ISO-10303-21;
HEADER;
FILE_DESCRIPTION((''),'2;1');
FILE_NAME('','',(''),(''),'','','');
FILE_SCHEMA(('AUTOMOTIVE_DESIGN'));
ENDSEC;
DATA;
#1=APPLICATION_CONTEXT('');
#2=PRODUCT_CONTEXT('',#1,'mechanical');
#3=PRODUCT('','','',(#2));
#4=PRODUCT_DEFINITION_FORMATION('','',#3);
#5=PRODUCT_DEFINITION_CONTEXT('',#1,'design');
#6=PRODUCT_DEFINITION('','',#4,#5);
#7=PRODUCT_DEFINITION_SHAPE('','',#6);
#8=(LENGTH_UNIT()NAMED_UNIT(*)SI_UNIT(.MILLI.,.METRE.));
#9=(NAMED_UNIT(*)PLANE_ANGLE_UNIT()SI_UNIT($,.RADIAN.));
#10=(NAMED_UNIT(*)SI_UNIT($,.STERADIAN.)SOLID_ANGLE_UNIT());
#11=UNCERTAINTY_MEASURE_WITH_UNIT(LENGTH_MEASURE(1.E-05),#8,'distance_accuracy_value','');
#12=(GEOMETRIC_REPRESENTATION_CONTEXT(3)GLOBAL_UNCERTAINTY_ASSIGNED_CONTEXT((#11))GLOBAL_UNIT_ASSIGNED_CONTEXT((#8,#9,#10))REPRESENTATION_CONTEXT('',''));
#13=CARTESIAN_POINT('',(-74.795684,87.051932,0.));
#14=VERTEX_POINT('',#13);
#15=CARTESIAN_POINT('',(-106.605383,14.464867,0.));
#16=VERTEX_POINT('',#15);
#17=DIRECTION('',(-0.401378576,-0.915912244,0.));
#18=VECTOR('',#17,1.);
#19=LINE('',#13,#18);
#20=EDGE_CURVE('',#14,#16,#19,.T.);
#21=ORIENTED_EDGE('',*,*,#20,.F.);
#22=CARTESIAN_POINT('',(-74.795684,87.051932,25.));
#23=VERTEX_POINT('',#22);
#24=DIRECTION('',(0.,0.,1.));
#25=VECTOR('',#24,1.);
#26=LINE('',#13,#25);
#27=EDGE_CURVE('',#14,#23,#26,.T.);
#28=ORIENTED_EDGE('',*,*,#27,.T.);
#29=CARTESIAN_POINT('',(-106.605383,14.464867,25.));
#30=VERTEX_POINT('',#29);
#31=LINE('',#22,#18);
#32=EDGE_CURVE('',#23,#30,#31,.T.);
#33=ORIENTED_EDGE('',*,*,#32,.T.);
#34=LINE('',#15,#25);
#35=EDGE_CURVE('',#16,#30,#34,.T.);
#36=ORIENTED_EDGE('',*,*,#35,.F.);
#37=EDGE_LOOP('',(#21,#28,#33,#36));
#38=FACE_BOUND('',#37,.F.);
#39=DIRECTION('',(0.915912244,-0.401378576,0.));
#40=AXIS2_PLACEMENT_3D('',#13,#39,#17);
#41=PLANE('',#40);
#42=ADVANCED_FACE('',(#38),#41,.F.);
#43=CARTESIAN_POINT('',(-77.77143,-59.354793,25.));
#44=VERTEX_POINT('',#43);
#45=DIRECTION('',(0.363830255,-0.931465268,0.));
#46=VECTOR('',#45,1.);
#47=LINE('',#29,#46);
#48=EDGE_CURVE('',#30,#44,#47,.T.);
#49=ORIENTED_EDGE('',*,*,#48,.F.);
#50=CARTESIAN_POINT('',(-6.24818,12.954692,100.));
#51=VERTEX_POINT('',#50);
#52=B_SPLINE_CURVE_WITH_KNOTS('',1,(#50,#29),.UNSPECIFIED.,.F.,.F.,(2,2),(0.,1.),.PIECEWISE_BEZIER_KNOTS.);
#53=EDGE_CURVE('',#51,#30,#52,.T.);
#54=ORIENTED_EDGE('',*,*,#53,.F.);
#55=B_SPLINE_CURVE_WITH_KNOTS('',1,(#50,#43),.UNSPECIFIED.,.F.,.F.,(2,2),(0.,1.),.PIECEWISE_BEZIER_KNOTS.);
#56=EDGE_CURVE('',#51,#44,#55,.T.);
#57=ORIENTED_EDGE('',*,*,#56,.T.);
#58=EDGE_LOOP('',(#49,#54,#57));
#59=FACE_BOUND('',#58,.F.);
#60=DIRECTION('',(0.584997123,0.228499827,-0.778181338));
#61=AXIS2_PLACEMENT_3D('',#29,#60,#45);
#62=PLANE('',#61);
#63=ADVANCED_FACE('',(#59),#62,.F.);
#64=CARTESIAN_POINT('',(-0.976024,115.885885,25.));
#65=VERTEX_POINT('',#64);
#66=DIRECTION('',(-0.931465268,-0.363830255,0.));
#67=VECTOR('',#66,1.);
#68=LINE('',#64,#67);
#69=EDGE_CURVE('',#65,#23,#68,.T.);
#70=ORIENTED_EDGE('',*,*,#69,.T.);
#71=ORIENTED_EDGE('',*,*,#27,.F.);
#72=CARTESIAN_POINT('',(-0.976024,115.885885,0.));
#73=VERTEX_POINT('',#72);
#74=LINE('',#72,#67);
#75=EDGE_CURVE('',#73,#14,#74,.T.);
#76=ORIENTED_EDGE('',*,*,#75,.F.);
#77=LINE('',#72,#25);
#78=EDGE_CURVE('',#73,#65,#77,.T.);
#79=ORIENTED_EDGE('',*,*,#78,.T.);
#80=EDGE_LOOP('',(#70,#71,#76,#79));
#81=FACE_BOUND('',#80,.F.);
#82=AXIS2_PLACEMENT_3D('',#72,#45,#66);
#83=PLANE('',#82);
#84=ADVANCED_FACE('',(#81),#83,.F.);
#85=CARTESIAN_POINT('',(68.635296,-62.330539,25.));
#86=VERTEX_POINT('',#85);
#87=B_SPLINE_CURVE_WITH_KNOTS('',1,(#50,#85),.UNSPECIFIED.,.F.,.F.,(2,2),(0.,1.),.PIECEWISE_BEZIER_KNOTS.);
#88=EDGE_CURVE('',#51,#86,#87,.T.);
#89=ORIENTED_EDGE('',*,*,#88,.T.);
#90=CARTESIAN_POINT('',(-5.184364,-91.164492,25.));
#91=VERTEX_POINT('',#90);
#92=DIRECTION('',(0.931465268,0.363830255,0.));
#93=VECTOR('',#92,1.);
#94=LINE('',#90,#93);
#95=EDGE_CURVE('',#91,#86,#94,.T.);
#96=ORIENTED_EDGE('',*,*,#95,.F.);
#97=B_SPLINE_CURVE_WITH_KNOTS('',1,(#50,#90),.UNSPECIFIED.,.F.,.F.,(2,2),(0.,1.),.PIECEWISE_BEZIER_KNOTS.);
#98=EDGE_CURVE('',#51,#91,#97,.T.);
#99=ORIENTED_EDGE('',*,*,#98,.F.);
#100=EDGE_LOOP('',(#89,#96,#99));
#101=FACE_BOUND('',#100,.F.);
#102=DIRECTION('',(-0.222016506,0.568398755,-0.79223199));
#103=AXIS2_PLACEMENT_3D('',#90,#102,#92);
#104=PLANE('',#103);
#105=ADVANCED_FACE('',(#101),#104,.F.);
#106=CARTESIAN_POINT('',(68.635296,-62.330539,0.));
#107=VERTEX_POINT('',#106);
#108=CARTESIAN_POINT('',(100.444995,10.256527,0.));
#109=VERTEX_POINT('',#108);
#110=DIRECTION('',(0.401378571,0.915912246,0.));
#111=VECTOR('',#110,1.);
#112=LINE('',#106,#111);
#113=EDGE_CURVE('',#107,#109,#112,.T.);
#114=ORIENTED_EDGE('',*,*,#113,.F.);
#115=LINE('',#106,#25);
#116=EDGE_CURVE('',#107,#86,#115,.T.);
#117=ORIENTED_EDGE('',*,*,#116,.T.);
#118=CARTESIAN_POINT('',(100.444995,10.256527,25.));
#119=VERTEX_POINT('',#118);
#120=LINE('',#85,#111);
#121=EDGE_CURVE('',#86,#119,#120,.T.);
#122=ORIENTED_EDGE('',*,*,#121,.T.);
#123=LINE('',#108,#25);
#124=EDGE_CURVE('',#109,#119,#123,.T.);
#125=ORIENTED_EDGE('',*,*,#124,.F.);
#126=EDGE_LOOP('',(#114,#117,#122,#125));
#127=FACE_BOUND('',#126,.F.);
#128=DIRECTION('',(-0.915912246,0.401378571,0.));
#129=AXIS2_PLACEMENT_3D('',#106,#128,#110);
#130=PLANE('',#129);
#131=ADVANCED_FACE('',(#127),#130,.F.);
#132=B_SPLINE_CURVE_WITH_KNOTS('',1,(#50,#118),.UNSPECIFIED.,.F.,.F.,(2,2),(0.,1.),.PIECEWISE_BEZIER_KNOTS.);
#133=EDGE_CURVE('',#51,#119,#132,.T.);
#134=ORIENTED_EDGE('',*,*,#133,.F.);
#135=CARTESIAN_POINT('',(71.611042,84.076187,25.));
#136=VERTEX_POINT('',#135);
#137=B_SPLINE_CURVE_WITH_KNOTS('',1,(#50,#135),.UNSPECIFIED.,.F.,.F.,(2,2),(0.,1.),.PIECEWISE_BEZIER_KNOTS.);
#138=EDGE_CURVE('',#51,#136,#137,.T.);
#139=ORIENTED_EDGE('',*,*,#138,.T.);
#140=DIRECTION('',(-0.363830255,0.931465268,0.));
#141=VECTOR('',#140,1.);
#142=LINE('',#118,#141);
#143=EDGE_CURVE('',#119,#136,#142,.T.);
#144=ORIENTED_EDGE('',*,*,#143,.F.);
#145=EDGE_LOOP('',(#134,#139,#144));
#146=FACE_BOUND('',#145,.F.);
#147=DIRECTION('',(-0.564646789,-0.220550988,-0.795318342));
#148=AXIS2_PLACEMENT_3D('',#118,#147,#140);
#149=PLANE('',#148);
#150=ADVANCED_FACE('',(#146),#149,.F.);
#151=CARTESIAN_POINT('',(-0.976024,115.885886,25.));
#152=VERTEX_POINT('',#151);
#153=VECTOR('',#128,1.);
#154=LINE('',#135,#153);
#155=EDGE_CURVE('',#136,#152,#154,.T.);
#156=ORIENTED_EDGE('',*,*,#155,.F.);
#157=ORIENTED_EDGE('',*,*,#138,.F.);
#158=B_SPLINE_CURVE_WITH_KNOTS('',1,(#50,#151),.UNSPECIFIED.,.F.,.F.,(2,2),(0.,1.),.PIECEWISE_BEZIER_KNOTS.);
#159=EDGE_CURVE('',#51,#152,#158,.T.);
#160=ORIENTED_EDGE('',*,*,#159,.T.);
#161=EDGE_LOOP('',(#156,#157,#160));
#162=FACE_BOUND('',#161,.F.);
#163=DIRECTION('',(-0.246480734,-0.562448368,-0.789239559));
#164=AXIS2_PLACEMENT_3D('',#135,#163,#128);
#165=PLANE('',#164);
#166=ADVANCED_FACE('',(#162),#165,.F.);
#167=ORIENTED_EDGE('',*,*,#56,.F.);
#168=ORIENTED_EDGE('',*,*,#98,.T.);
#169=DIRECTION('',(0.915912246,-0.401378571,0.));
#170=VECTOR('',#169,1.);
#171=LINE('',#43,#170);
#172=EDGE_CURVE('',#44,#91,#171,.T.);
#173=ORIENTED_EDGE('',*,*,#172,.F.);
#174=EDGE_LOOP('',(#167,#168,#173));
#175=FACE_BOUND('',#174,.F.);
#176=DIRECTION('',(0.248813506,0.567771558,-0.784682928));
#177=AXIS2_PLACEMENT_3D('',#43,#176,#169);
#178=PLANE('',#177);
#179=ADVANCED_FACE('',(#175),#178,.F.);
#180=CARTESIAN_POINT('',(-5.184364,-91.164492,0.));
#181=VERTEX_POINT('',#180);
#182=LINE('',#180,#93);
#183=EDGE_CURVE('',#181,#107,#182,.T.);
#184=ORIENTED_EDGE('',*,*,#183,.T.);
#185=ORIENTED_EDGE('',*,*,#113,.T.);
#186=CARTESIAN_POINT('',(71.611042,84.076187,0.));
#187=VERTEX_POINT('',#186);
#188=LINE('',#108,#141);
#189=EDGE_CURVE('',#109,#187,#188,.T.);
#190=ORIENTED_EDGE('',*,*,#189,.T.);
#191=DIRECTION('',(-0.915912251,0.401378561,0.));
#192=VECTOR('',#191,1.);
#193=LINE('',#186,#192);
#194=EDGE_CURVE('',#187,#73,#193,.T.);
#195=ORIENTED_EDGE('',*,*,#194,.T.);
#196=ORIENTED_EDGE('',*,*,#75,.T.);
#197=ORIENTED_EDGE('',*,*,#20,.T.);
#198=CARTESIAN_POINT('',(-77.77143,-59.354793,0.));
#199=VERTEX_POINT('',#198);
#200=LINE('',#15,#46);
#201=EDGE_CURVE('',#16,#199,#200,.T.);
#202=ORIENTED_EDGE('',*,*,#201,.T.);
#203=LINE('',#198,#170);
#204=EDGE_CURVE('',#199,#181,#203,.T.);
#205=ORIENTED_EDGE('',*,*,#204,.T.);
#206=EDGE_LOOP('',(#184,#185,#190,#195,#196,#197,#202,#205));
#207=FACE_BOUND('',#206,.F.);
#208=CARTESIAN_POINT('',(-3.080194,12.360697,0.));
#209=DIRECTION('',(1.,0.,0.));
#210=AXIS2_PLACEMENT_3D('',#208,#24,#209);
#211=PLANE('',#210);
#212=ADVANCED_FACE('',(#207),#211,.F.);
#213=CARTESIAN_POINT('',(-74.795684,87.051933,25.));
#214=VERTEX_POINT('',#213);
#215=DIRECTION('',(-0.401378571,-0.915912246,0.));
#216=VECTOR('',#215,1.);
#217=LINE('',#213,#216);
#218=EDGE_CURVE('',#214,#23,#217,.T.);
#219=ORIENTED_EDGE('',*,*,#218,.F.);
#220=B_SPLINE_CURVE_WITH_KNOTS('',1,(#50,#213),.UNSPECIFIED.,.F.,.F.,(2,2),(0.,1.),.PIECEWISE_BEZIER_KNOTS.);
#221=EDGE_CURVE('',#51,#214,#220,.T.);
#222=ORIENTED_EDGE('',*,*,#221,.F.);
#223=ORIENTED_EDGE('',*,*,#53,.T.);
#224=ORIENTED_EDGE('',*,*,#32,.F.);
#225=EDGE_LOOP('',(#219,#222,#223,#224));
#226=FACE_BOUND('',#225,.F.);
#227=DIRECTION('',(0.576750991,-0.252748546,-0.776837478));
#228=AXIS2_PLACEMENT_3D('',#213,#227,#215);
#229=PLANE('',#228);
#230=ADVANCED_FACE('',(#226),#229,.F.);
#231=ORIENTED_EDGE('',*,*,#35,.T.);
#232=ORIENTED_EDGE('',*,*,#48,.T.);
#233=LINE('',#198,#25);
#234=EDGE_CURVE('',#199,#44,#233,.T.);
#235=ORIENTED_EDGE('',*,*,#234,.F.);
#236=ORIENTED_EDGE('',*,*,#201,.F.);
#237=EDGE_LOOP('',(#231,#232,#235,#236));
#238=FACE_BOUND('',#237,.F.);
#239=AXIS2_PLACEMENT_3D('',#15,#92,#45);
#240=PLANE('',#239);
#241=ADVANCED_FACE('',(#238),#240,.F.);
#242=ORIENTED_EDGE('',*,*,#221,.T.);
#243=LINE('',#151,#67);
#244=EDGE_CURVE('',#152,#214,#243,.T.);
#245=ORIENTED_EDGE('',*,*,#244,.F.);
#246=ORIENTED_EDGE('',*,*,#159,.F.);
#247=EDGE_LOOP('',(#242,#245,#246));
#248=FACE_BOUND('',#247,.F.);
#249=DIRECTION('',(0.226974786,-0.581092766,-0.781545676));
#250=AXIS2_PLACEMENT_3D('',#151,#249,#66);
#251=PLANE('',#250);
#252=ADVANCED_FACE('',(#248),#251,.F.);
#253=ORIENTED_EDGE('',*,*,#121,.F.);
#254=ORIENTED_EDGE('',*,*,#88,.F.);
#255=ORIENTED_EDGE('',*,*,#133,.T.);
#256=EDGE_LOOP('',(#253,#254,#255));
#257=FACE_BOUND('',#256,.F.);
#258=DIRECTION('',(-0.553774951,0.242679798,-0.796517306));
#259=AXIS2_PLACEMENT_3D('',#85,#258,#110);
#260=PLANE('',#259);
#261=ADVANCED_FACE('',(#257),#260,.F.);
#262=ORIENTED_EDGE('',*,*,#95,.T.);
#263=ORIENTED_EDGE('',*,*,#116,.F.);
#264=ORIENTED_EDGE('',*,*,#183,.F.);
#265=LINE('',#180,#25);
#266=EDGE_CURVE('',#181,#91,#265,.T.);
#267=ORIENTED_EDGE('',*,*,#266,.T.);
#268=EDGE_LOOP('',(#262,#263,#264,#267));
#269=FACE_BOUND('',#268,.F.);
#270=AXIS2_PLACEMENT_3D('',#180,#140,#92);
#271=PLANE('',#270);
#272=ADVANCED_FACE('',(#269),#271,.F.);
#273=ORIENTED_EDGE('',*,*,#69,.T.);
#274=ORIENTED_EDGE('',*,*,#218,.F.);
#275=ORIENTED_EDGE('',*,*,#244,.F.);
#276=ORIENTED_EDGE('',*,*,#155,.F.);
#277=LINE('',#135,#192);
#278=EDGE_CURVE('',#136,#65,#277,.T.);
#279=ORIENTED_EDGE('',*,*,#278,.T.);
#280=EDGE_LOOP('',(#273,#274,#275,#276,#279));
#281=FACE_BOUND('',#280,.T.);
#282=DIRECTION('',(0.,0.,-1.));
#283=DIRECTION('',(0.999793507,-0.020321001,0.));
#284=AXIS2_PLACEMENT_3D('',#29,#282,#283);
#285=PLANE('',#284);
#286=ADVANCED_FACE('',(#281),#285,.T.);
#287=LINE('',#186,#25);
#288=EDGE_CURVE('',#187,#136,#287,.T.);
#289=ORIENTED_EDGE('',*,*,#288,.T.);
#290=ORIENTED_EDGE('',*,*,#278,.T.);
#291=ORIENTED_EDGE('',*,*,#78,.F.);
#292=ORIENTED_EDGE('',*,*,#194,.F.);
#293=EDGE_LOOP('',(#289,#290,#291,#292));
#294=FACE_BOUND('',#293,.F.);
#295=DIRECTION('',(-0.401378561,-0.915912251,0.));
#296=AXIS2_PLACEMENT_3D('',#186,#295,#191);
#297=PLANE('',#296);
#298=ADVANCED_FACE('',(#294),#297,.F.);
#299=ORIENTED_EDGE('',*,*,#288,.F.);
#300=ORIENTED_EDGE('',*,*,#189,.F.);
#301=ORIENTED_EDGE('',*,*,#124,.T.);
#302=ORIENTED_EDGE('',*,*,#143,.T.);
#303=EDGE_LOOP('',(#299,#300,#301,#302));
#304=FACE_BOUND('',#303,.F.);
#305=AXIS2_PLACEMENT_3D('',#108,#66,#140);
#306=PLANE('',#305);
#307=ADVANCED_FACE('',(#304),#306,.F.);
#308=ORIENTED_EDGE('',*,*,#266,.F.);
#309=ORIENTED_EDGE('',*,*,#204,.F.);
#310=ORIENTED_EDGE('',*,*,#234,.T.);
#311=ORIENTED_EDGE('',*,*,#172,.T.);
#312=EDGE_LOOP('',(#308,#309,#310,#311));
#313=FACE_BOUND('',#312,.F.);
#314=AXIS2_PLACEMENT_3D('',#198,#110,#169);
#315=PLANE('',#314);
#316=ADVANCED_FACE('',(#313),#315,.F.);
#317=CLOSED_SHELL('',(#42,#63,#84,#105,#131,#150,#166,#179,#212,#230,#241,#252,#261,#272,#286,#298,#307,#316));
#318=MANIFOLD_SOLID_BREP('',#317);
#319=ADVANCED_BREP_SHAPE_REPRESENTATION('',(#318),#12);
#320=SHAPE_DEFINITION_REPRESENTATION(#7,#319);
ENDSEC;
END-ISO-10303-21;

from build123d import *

# Parameters (mm, degrees)
F1_DEPTH = 25


with BuildPart() as f1:
    # F0 (on Top) → F1 (new body)
    with BuildSketch(Plane.XY):
        Polygon((-77.77143, -59.354793), (-5.184364, -91.164492), (68.635296, -62.330539), (100.444995, 10.256527), (71.611042, 84.076187), (-0.976024, 115.885885), (-74.795684, 87.051932), (-106.605383, 14.464867), align=None)
    extrude(amount=F1_DEPTH)

    # F1_face (on face) → F4 section 0
    with BuildSketch(Plane(origin=(-3.080194, 12.360697, 25), x_dir=(1, 0, 0), z_dir=(0, 0, 1)), mode=Mode.PRIVATE) as f4_s0:
        Polygon((-103.525189, 2.10417), (-74.691236, -71.71549), (-2.10417, -103.525189), (71.71549, -74.691236), (103.525189, -2.10417), (74.691236, 71.71549), (2.10417, 103.525189), (-71.71549, 74.691236), align=None)
    loft([Vertex(-6.24818, 12.954692, 100), f4_s0.sketch])


solid = f1.part
